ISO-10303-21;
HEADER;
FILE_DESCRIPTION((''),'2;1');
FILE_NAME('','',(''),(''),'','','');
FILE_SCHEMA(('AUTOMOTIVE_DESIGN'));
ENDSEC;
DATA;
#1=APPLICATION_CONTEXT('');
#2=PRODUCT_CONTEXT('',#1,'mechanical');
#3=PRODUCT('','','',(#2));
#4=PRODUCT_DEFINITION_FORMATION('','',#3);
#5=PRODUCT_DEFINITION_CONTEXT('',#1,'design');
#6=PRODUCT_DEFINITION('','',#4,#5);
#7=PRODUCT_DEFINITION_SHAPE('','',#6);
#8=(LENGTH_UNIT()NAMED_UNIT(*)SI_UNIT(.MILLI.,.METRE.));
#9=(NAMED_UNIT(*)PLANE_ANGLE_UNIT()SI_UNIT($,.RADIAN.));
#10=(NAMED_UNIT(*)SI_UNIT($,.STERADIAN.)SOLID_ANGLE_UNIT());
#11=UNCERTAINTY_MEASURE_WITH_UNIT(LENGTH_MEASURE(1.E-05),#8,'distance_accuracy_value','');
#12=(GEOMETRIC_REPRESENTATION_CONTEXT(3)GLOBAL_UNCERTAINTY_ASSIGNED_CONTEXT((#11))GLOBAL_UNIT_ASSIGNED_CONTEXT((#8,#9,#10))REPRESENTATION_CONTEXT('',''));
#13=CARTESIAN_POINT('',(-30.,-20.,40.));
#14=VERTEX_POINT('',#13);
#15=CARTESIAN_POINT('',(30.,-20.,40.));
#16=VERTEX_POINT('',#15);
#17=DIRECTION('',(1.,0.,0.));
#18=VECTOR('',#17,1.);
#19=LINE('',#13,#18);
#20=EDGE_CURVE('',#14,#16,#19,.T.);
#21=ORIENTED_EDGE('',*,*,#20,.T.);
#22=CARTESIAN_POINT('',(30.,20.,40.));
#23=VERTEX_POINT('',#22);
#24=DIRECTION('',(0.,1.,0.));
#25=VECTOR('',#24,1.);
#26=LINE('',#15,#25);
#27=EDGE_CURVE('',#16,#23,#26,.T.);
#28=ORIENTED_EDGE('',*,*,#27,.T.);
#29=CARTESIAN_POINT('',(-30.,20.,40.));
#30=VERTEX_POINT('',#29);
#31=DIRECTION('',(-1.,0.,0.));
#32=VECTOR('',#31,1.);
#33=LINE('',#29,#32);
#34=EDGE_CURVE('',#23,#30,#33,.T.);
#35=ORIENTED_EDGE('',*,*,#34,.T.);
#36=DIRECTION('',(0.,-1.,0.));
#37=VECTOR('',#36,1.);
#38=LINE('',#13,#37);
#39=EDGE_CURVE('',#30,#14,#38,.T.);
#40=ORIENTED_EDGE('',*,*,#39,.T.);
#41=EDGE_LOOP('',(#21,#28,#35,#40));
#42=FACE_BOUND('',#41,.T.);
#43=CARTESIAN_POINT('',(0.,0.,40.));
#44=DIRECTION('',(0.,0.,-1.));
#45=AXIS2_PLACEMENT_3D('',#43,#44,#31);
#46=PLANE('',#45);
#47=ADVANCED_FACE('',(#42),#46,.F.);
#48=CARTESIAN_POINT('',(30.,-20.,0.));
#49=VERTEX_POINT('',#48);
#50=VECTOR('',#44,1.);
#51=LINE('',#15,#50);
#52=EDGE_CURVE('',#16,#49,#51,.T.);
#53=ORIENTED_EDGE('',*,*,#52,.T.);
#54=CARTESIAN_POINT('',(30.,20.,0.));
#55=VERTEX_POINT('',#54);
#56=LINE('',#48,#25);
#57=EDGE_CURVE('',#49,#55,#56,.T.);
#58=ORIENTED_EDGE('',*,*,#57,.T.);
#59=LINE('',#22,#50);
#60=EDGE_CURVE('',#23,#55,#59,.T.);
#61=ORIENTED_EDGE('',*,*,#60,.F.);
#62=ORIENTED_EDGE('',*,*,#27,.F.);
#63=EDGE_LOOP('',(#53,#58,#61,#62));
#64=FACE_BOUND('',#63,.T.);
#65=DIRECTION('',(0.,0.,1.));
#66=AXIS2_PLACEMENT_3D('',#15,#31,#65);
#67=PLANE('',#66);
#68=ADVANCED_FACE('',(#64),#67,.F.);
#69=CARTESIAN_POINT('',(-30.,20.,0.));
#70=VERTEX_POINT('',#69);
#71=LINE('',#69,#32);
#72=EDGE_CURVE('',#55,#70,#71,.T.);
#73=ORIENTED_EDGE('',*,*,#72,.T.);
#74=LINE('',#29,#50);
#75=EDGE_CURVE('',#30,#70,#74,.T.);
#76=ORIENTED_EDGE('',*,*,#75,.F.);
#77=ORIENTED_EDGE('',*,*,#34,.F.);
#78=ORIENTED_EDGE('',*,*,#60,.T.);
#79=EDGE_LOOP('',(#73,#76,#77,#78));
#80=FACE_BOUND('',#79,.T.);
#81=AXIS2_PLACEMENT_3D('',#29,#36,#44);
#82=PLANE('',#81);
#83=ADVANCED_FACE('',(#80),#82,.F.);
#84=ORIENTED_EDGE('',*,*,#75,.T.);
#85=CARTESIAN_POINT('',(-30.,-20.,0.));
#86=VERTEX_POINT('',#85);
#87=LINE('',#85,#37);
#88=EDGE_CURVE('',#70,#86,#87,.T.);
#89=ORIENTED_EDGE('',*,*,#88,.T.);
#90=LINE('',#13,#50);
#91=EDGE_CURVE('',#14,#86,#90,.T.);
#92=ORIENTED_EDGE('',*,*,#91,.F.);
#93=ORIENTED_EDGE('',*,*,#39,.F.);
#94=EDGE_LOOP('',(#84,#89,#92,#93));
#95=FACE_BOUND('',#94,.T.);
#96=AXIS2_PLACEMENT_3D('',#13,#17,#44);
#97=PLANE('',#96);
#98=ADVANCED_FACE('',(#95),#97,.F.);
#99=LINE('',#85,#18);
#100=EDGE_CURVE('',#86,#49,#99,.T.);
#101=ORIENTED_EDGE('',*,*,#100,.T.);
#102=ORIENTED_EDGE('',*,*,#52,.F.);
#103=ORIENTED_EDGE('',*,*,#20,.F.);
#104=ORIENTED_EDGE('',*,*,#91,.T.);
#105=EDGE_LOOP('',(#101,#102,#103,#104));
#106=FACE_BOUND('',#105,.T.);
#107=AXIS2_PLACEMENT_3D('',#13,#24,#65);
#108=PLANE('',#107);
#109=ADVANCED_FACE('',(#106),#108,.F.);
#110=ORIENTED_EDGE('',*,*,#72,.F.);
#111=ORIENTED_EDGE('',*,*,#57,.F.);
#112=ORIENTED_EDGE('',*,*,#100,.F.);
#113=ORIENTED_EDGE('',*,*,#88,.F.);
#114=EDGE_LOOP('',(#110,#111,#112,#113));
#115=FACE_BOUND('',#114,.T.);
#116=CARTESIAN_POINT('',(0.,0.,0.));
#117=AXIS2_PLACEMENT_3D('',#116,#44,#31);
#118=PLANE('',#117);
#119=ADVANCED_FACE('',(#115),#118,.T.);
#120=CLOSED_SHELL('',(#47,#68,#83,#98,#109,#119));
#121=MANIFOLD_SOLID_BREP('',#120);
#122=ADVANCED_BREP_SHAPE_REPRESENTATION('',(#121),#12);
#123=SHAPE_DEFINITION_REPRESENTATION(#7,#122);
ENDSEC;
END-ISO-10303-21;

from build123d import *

# Parameters (mm, degrees)
SKETCH_1_W      = 60
SKETCH_1_H      = 40
EXTRUDE_1_DEPTH = 40


with BuildPart() as part:
    # 草图1 → 凸台-拉伸1 (new body)
    with BuildSketch(Plane.XY):
        Rectangle(SKETCH_1_W, SKETCH_1_H)
    extrude(amount=EXTRUDE_1_DEPTH)


solid = part.part
